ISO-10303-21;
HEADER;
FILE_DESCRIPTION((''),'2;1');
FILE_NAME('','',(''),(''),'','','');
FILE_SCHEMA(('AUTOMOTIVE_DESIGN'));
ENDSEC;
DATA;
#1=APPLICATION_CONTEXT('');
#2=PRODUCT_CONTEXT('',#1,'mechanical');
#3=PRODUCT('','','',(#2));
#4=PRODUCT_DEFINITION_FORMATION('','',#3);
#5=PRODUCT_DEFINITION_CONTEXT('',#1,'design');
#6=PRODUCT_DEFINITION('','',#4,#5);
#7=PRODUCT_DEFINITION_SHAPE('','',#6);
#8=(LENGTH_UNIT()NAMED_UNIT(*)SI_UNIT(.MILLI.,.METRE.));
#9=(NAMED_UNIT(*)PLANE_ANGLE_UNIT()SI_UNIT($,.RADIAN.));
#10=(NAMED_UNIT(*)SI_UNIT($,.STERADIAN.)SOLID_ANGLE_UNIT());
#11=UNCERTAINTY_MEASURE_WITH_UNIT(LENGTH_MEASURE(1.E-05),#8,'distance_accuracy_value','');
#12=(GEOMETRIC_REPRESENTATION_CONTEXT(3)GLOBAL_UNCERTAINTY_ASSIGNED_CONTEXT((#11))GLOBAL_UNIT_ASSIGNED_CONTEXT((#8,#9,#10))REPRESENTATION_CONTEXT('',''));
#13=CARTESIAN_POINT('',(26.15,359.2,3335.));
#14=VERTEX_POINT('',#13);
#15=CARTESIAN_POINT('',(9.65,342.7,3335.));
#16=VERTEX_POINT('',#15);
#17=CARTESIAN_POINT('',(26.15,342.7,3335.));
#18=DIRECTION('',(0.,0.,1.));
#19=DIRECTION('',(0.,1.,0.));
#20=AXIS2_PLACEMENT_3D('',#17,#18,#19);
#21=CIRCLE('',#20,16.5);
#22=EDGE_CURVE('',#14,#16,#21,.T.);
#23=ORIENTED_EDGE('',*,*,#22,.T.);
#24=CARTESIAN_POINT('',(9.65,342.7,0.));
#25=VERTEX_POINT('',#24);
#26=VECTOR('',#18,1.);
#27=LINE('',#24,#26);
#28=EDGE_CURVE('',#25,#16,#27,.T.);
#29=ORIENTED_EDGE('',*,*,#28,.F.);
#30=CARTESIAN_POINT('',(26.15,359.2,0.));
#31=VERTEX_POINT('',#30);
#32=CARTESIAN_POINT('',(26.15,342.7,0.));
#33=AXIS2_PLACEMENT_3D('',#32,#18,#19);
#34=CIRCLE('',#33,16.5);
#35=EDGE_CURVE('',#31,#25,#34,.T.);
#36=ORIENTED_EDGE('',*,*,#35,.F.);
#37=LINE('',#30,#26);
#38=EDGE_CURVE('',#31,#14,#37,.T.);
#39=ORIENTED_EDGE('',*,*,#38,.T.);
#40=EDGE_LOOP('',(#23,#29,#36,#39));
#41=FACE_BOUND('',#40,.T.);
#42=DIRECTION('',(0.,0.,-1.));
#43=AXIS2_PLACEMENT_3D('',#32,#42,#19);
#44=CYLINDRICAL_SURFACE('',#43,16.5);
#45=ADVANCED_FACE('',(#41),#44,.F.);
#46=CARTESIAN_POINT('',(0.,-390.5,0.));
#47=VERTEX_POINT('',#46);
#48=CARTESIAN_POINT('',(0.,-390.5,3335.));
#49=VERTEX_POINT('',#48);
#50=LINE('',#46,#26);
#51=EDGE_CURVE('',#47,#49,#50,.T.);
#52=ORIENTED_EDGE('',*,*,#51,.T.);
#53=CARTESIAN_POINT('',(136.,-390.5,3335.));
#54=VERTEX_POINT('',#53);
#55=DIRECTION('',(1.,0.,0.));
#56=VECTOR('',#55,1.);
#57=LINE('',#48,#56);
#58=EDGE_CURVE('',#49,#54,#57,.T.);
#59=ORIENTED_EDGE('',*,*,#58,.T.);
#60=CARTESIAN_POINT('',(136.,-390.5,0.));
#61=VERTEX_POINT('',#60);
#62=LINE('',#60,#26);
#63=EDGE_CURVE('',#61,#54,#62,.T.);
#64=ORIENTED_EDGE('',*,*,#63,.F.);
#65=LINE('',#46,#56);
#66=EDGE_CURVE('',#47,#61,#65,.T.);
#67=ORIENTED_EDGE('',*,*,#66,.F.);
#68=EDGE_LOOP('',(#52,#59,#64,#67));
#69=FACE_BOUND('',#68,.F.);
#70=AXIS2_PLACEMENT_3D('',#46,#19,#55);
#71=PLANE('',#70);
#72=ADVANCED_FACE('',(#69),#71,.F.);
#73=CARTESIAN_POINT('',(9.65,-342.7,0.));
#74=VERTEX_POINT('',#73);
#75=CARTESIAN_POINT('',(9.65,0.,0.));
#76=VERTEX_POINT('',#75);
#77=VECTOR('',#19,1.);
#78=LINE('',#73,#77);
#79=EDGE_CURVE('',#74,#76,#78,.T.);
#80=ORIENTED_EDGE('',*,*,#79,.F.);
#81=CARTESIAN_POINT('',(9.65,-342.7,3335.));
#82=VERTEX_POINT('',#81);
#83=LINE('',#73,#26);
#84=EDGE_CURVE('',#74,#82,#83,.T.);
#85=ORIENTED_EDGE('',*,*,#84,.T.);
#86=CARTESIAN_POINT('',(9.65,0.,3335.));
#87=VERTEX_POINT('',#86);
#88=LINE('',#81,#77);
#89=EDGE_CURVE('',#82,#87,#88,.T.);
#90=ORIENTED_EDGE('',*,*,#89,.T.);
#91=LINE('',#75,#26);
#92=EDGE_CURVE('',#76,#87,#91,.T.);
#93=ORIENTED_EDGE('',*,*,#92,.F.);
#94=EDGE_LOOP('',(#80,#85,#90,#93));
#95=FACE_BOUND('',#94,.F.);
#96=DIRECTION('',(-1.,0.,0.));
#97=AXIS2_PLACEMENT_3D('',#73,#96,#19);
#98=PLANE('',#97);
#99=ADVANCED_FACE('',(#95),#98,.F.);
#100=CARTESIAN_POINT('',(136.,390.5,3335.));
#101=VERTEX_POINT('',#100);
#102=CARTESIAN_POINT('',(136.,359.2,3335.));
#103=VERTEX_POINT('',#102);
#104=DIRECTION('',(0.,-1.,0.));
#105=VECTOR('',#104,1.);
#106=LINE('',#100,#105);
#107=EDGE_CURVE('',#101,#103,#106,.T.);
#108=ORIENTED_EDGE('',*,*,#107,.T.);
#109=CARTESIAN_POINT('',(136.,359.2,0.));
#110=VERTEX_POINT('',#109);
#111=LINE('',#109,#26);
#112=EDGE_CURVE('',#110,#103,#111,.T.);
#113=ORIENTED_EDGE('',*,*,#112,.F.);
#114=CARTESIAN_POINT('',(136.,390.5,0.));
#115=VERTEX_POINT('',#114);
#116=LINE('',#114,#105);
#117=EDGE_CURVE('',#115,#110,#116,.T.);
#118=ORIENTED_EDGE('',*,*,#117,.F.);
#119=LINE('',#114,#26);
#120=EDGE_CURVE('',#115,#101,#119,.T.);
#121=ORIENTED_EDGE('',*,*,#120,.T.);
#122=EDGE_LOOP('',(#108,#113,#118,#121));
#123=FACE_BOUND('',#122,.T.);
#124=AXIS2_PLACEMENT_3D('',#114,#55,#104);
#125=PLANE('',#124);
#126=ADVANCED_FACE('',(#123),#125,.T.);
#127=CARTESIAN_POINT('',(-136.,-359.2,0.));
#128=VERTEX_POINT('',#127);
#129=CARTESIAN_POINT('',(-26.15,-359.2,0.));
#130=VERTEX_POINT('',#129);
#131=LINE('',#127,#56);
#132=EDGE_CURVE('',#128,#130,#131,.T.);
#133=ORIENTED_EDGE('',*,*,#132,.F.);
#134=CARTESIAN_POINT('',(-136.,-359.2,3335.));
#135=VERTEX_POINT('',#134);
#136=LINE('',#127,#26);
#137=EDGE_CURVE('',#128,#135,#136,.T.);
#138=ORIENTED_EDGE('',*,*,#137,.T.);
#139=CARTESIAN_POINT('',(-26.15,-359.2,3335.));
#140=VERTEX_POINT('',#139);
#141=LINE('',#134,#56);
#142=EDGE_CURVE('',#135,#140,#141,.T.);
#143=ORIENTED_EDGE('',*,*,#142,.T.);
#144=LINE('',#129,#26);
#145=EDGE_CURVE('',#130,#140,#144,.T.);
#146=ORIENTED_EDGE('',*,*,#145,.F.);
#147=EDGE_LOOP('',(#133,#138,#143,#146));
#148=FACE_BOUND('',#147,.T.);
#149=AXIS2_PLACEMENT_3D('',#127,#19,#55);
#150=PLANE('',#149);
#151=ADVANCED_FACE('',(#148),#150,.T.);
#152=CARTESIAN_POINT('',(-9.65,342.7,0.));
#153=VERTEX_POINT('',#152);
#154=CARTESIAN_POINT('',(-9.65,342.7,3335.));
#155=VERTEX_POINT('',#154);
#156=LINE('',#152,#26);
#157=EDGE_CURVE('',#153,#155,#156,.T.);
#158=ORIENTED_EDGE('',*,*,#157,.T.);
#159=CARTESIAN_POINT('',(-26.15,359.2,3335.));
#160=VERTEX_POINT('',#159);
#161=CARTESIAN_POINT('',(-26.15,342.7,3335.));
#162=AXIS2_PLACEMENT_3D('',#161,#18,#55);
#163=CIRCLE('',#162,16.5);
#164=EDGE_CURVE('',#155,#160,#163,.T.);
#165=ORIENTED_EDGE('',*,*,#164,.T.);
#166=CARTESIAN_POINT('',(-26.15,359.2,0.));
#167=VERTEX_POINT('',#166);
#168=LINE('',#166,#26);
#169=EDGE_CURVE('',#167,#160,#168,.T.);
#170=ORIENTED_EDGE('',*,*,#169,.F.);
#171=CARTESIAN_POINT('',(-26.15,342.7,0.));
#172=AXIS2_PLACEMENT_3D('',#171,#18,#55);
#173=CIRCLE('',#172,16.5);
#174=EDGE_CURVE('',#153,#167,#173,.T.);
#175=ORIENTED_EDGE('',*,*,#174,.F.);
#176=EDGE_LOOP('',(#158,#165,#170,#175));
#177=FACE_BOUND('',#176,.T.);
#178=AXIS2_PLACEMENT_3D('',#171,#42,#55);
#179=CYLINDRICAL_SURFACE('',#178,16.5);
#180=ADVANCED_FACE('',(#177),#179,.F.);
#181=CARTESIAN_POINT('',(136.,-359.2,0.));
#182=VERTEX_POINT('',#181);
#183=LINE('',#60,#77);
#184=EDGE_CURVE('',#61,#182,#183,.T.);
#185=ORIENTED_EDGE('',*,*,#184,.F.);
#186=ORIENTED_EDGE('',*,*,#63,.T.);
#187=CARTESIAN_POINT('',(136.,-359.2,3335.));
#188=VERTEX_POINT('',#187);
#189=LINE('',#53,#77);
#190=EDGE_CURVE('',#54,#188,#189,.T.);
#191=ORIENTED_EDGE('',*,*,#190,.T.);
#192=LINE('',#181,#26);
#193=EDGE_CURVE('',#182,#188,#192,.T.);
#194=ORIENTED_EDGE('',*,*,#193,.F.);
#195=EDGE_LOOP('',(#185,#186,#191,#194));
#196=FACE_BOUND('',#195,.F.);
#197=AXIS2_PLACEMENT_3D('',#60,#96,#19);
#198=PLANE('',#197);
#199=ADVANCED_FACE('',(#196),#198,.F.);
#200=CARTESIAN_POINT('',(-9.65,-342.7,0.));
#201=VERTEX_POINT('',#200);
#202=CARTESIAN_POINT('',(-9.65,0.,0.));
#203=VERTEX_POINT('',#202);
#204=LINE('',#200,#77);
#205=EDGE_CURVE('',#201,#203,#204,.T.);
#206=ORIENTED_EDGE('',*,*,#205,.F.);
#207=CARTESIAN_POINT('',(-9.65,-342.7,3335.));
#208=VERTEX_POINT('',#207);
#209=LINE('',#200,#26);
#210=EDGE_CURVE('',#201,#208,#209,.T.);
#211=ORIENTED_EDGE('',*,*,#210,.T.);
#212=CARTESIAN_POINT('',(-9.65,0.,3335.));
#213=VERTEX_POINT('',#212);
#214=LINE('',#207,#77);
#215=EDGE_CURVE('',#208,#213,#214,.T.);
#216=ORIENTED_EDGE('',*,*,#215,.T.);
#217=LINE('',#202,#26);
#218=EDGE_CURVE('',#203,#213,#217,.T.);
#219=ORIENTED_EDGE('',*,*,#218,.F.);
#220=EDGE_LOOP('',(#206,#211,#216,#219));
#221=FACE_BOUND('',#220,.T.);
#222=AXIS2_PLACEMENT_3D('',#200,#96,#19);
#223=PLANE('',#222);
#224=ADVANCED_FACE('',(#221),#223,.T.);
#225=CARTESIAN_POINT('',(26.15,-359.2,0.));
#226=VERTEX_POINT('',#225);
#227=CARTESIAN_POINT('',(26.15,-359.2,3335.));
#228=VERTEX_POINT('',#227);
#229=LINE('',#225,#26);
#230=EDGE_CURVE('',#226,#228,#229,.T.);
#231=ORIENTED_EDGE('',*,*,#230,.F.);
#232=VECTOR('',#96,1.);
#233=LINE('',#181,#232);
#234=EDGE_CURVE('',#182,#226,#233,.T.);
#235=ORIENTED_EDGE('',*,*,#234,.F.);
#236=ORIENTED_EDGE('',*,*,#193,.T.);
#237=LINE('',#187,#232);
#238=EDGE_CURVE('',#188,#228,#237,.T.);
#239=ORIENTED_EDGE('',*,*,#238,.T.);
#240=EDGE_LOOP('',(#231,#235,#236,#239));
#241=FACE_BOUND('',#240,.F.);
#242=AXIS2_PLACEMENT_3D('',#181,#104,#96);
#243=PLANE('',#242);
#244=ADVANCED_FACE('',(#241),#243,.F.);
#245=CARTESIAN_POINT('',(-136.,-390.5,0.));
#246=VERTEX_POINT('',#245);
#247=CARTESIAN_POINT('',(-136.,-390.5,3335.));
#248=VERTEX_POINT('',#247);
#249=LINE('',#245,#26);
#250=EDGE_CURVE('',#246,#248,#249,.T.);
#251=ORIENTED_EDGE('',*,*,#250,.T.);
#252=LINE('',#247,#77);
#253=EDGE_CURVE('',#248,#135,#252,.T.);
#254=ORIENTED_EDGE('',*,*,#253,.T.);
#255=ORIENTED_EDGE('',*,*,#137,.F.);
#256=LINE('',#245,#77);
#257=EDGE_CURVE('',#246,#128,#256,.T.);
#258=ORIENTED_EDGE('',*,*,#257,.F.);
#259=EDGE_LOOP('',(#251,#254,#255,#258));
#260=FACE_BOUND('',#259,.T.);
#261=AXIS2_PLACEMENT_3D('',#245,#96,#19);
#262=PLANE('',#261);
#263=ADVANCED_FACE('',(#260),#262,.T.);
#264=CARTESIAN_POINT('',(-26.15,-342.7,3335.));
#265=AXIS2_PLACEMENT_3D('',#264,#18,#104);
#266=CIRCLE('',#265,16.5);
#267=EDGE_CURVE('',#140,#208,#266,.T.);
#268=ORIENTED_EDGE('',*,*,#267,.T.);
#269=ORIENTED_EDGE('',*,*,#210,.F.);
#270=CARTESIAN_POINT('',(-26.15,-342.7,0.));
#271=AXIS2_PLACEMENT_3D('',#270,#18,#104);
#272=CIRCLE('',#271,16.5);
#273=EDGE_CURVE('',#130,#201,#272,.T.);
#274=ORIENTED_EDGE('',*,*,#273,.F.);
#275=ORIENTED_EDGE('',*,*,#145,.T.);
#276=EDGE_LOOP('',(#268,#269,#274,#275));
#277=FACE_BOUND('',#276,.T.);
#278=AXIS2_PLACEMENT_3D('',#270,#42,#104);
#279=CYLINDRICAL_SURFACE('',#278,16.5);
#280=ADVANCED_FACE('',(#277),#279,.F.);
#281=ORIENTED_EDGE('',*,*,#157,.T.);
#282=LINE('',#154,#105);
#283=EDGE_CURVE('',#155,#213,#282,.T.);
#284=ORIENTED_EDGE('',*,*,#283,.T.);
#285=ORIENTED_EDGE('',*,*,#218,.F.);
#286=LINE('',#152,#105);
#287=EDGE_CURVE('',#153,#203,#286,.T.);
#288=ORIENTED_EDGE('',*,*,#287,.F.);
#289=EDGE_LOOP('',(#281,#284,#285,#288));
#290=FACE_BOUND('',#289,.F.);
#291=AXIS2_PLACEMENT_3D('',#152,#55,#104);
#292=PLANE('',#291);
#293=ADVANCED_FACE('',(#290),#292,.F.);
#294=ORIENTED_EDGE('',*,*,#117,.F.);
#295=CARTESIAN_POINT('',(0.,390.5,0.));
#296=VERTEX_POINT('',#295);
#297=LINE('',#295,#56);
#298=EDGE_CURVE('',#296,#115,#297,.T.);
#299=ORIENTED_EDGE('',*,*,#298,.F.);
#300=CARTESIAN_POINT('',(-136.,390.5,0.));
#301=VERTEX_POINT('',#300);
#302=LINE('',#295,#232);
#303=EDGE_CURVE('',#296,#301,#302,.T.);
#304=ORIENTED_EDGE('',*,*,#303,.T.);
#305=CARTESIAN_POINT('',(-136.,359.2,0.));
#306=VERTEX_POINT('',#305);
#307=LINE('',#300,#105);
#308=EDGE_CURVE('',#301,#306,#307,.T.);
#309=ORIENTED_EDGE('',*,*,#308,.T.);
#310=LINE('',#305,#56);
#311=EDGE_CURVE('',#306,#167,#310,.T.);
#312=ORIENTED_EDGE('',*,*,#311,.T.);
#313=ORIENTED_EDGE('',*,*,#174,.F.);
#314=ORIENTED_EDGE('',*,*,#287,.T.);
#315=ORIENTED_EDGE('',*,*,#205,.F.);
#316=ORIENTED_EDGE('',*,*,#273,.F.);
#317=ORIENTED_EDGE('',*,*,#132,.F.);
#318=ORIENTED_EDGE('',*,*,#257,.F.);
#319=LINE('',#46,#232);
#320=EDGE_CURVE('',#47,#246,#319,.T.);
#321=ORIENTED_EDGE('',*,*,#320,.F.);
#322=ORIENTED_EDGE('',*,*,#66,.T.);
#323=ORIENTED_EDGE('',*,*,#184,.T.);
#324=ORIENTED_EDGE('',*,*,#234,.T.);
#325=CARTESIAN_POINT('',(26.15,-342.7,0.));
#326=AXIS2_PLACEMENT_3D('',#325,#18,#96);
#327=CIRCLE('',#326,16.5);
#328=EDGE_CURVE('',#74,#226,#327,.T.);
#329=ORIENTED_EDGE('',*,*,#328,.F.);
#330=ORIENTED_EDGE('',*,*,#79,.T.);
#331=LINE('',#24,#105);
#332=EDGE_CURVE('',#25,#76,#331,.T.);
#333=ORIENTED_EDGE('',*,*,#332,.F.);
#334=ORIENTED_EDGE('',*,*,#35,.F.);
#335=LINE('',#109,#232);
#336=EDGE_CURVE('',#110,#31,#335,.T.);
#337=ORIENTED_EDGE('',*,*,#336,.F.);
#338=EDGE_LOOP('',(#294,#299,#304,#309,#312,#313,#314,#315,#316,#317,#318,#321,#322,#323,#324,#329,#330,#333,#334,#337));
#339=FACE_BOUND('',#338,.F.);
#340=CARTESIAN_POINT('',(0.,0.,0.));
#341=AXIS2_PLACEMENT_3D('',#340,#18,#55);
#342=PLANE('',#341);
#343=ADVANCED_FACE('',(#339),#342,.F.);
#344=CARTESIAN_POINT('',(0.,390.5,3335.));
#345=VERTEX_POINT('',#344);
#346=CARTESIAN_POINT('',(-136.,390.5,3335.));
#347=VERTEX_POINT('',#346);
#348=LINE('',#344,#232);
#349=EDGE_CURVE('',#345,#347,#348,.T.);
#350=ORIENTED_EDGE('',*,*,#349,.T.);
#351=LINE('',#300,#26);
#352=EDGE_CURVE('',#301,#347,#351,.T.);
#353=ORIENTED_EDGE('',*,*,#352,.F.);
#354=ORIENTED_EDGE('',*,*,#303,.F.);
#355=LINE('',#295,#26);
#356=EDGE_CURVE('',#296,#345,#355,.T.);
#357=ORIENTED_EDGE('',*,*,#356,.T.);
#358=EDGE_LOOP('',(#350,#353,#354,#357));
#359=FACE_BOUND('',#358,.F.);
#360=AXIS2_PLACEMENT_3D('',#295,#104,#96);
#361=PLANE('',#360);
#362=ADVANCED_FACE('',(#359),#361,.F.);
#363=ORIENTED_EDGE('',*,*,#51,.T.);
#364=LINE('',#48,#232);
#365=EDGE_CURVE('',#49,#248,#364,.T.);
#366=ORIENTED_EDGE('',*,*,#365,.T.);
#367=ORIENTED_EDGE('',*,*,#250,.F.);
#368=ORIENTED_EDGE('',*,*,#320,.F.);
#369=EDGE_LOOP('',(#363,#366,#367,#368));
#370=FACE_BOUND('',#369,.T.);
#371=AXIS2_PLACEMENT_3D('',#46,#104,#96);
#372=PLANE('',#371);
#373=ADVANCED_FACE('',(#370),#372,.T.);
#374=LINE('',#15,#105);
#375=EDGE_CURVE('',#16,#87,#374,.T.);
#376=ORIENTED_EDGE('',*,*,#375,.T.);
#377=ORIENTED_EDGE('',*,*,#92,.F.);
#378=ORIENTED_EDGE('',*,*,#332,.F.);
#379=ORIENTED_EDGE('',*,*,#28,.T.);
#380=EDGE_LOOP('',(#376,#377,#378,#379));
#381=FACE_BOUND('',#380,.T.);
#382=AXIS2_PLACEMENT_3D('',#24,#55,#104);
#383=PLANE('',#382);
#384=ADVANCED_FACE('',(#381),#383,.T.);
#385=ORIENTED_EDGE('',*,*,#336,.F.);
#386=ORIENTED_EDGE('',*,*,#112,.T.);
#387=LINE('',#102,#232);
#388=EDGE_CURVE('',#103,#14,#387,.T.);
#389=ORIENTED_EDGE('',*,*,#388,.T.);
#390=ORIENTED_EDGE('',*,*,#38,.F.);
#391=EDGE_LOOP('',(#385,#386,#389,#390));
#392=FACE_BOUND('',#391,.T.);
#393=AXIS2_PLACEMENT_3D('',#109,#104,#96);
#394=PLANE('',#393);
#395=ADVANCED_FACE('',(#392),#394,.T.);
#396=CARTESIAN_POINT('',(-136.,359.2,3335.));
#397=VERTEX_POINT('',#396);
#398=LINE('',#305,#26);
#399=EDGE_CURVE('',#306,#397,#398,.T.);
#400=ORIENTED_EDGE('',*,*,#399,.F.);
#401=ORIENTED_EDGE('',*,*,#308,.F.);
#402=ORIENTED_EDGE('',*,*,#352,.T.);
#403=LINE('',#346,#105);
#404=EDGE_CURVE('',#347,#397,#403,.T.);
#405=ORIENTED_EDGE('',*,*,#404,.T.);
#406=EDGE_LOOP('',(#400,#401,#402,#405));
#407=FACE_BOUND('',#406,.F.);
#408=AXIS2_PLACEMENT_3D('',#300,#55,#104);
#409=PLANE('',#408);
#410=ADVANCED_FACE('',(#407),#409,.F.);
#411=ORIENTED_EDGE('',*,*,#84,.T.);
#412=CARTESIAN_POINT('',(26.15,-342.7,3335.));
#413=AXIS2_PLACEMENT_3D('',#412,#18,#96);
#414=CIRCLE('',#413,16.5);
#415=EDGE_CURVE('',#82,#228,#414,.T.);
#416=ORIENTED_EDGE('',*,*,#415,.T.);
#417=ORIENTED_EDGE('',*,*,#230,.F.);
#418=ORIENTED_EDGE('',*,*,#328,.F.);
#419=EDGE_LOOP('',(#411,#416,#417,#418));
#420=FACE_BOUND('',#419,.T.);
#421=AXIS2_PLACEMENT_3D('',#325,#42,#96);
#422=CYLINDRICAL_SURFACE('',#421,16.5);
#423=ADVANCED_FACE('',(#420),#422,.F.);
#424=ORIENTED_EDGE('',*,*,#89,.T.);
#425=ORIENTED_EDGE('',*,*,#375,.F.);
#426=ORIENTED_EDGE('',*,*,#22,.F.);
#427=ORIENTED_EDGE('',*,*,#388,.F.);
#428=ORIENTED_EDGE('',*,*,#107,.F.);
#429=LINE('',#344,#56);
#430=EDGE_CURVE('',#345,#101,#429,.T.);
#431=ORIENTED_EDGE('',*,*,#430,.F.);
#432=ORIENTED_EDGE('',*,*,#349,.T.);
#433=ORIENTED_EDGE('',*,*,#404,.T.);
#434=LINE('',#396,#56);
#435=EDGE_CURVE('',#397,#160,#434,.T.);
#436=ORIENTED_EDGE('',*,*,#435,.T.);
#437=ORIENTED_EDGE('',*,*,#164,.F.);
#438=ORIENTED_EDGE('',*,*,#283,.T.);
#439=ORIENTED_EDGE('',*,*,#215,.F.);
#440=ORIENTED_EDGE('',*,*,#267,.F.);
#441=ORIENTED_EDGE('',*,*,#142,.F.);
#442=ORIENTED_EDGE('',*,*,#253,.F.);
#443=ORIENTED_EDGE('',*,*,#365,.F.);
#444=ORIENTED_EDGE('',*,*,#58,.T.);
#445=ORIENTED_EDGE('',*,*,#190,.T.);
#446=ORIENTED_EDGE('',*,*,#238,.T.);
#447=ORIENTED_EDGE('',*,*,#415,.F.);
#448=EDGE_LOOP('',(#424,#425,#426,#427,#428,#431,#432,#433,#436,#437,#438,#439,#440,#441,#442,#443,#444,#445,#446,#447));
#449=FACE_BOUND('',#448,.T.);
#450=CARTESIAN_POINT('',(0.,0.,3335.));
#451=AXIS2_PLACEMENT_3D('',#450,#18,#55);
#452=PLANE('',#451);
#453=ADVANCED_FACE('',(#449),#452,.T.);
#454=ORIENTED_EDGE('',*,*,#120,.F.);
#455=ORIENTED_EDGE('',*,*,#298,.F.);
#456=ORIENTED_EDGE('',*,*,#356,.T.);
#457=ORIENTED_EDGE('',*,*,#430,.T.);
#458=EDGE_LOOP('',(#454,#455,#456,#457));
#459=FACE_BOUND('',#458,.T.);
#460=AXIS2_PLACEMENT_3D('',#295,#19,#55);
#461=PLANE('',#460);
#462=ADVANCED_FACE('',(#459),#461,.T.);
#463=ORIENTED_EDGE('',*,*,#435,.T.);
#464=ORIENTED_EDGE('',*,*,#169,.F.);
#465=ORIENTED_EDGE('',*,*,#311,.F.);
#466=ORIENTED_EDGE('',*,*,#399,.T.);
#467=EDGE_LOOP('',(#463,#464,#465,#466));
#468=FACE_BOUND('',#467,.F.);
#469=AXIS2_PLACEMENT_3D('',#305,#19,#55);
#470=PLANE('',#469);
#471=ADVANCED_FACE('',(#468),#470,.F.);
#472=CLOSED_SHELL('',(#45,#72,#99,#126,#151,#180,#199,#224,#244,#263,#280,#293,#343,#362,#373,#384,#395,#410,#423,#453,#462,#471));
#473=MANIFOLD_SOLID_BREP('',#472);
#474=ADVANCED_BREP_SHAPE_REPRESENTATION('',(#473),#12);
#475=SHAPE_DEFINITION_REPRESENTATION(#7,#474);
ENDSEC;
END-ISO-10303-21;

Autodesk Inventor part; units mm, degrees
ref_plane "YZ Plane" through (0, 0, 0) normal (1, 0, 0) x (0, 1, 0)
ref_plane "Start plane" through (0, 0, 0) normal (0, 0, 1) x (1, 0, 0)
ref_plane "End plane" through (0, 0, 3335) normal (0, 0, 1) x (1, 0, 0)
sketch "Sketch" plane through (0, 0, 0) normal (0, 0, 1) x (1, 0, 0)
  line L0 (-136, -390.5) -> (-136, -359.2)
  line L1 (-136, -359.2) -> (-26.15, -359.2)
  line L2 (-9.65, -342.7) -> (-9.65, 0)
  line L3 (-9.65, 0) -> (0, 0) construction
  line L4 (0, 0) -> (0, -390.5) construction
  line L5 (0, -390.5) -> (-136, -390.5)
  line L6 (-60, 0) -> (80, 0) construction
  line L7 (0, -60) -> (0, 80) construction
  line L8 (136, -390.5) -> (136, -359.2)
  line L9 (136, -359.2) -> (26.15, -359.2)
  line L10 (9.65, -342.7) -> (9.65, 0)
  line L11 (9.65, 0) -> (0, 0) construction
  line L12 (0, -390.5) -> (136, -390.5)
  line L13 (-136, 390.5) -> (-136, 359.2)
  line L14 (-136, 359.2) -> (-26.15, 359.2)
  line L15 (-9.65, 342.7) -> (-9.65, 0)
  line L16 (0, 390.5) -> (-136, 390.5)
  line L17 (136, 390.5) -> (136, 359.2)
  line L18 (136, 359.2) -> (26.15, 359.2)
  line L19 (0, 390.5) -> (136, 390.5)
  line L20 (9.65, 342.7) -> (9.65, 0)
  arc A0 (-9.65, 342.7) -> (-26.15, 359.2) centre (-26.15, 342.7) ccw
  arc A1 (26.15, 359.2) -> (9.65, 342.7) centre (26.15, 342.7) ccw
  arc A2 (9.65, -342.7) -> (26.15, -359.2) centre (26.15, -342.7) ccw
  arc A3 (-26.15, -359.2) -> (-9.65, -342.7) centre (-26.15, -342.7) ccw
  line L21 (0, 108) -> (0, -88) construction
  line L22 (-88, 0) -> (108, 0) construction
  point P0 (-9.65, -359.2)
  point P1 (9.65, -359.2)
  point P2 (-9.65, 359.2)
  point P3 (9.65, 359.2)
  dimension "d1" = 390.5
  dimension "d2" = 31.3
  dimension "d3" = 136
  dimension "d4" = 9.65
  dimension "d10" = 16.5
extrude "Body" add sketch "Sketch" along normal up to surface (3335 mm away) from surface at 0
sketch "Sketch4" plane through (0, 0, 0) normal (0, 0, 1) x (1, 0, 0)
  line L0 (0, 0) -> (10, 0)
ref_plane "Work Plane3" through (0, 0, 0) normal (0, -1, 0) x (1, 0, 0)
sketch "Sketch5" plane through (0, 0, 0) normal (0, -1, 0) x (1, 0, 0)
  line L0 (-2, 0) -> (12, 0) projected
  line L1 (-2, 3335) -> (12, 3335) projected
  dimension "d14" = 3335
equation "\"d1\" = 0.5 * G_H"
equation "\"d2\" = G_T1"
equation "\"d3\" = 0.5 * G_W"
equation "\"d4\" = 0.5 * G_T"
equation "\"d10\" = G_IR"
equation "\"d5\" = G_L"
equation "\"G_W\" = 272"
equation "\"G_H\" = 781"
equation "\"G_T\" = 19.3"
equation "\"G_T1\" = 31.3"
equation "\"G_IR\" = 16.5"
equation "\"G_L\" = d14"
equation "\"G_OFFSET_START\" = 0"
equation "\"G_OFFSET_END\" = 0"
equation "\"d12\" = G_OFFSET_END + B_L"
equation "\"B_L\" = 3335"
properties part number "AS 3679-1990 - 760 UB - 244 - 3335" material "Steel, Mild"
